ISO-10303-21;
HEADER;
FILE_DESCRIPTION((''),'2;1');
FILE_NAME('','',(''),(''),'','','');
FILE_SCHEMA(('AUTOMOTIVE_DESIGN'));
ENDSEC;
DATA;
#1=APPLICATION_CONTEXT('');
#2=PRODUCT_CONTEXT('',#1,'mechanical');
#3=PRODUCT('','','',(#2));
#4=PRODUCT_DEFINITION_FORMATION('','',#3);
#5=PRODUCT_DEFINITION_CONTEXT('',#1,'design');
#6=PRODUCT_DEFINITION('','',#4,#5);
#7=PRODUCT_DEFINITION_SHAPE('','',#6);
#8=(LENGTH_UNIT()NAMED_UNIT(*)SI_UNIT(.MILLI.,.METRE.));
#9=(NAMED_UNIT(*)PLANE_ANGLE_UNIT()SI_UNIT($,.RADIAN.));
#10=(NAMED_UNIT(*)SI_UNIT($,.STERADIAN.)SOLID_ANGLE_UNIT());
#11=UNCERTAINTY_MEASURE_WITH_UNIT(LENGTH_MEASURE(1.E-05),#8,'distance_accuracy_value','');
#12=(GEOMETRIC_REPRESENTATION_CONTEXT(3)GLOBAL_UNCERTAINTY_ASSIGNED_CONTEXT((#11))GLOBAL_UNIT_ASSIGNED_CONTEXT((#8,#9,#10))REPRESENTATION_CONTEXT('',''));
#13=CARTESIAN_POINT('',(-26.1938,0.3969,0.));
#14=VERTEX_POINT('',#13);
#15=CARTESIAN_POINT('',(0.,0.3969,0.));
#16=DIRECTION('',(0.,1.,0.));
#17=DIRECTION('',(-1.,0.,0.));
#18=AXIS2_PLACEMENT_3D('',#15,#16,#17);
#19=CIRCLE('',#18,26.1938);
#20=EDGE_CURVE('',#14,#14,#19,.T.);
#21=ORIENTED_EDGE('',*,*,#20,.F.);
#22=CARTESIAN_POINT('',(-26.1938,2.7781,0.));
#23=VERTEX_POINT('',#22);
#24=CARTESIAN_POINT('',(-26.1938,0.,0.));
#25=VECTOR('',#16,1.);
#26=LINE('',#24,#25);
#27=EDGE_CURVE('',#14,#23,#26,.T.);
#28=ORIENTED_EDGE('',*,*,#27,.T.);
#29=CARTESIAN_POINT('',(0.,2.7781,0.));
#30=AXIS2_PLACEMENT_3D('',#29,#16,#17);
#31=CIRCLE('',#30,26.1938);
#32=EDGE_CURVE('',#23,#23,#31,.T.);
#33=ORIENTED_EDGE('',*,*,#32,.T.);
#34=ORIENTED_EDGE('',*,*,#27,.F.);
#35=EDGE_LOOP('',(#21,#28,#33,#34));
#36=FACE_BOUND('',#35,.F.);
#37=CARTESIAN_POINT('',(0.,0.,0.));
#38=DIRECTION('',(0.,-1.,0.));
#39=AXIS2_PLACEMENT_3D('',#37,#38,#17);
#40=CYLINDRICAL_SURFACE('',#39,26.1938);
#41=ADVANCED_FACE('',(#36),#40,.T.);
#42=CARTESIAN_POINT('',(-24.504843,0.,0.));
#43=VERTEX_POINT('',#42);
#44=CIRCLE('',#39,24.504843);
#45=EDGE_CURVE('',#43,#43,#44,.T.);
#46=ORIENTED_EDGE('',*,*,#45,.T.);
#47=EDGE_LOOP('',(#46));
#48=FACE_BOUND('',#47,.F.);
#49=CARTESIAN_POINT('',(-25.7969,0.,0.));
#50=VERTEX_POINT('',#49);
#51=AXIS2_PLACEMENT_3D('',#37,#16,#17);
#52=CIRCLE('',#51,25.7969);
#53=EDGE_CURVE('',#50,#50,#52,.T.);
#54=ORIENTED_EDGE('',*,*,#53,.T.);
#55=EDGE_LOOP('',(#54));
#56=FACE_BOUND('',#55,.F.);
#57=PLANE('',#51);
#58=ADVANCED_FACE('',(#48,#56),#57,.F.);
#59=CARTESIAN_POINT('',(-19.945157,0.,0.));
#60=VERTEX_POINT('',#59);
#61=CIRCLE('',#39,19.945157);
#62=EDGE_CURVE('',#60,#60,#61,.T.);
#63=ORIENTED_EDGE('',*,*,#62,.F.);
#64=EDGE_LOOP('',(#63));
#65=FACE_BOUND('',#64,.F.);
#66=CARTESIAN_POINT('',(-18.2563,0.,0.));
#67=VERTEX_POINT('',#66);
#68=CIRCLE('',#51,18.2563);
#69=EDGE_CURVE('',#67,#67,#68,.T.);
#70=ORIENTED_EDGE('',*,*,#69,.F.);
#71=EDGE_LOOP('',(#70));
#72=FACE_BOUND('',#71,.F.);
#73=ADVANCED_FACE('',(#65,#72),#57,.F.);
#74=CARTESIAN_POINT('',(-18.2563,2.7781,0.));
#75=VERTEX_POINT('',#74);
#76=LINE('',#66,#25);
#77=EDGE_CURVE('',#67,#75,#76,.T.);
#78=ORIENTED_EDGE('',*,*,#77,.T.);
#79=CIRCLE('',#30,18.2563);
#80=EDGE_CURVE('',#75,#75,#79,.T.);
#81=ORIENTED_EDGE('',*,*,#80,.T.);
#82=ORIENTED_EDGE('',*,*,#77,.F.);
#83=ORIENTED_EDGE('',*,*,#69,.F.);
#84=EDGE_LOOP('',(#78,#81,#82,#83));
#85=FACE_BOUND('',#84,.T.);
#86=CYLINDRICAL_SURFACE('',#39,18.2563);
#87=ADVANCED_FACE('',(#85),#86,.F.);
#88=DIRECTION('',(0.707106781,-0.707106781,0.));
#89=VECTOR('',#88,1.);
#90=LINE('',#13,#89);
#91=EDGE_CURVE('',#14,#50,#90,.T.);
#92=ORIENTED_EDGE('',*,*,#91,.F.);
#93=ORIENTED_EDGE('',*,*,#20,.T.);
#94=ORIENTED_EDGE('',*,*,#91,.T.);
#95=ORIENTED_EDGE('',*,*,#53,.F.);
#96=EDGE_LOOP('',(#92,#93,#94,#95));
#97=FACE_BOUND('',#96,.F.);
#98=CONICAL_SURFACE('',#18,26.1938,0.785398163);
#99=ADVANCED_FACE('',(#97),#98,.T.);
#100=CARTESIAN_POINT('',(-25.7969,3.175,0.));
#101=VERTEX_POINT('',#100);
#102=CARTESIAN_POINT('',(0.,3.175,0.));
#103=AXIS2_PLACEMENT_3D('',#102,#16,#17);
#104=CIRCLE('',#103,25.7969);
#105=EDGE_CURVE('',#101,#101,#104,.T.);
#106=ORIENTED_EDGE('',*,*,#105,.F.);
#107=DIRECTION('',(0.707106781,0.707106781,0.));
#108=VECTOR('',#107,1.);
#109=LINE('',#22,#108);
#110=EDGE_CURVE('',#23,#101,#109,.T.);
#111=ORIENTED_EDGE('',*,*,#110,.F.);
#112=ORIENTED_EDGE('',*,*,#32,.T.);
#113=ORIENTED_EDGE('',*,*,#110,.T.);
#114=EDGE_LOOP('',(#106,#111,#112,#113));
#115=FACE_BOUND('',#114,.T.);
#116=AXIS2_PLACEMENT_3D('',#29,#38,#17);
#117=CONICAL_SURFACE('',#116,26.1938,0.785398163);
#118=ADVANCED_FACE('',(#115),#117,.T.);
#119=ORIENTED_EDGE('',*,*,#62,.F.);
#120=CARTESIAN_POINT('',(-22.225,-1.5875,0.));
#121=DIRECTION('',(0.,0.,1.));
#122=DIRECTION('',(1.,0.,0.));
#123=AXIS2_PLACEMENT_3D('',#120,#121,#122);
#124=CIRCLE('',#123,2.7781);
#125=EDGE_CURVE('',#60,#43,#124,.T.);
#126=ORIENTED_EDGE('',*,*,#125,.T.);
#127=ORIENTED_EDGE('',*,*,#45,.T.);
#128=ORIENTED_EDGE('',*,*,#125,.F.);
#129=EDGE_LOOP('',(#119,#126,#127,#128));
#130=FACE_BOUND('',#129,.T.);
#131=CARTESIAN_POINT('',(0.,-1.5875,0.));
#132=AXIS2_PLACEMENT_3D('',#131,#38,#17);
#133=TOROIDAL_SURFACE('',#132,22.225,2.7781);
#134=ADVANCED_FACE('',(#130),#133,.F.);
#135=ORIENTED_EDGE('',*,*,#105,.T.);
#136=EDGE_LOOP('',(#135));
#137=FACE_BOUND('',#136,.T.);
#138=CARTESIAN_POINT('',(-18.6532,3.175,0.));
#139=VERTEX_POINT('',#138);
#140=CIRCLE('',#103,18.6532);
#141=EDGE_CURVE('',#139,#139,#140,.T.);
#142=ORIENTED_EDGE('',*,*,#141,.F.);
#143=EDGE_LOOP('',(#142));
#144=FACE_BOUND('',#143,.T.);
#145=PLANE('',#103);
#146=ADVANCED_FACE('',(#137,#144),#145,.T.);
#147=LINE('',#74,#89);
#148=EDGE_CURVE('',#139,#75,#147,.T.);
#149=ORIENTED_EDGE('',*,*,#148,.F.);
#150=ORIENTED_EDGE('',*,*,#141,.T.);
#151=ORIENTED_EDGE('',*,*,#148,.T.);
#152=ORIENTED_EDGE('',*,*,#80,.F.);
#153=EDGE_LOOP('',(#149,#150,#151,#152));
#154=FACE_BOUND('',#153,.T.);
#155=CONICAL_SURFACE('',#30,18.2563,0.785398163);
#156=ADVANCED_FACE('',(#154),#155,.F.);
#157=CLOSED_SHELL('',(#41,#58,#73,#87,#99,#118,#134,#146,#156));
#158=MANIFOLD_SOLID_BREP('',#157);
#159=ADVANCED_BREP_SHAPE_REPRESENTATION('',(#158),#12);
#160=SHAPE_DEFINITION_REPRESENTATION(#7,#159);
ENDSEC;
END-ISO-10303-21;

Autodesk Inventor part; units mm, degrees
ref_plane "YZ Plane" through (0, 0, 0) normal (1, 0, 0) x (0, 1, 0)
ref_plane "XZ Plane" through (0, 0, 0) normal (0, 1, 0) x (-1, 0, 0)
ref_plane "XY Plane" through (0, 0, 0) normal (0, 0, 1) x (1, 0, 0)
sketch "Sketch1" plane through (0, 0, 0) normal (0, 1, 0) x (-1, 0, 0)
  circle A0 centre (0, 0) radius 26.1938
  circle A1 centre (0, 0) radius 18.2563
  dimension "d0" = 52.3875
  dimension "d1" = 36.5125
extrude "Extrusion1" add sketch "Sketch1" along normal blind 3.175
sketch "Sketch2" plane through (0, 0, 0) normal (0, 0, 1) x (1, 0, 0)
  line L0 (-22.225, 0) -> (-22.225, -1.5875)
  circle A0 centre (-22.225, -1.5875) radius 2.7781
  line L1 (0, 0) -> (0, 3.175)
  line L2 (26.1938, 3.175) -> (-26.1938, 3.175) projected
  dimension "d4" = 1.5875
  dimension "d5" = 5.5563
revolve "Revolution1" cut sketch "Sketch2" angle 360 about axis through (0, 0, 0) along (0, 1, 0)
chamfer "Chamfer1" distance 0.3969 angle 45 1 edges at (26.1938, 3.175, 0)
chamfer "Chamfer2" distance 0.3969 angle 45 1 edges at (26.1938, 0, 0)
chamfer "Chamfer3" distance 0.3969 angle 45 1 edges at (18.2563, 3.175, 0)
properties part number "ThrustBearing-LowerRing"
